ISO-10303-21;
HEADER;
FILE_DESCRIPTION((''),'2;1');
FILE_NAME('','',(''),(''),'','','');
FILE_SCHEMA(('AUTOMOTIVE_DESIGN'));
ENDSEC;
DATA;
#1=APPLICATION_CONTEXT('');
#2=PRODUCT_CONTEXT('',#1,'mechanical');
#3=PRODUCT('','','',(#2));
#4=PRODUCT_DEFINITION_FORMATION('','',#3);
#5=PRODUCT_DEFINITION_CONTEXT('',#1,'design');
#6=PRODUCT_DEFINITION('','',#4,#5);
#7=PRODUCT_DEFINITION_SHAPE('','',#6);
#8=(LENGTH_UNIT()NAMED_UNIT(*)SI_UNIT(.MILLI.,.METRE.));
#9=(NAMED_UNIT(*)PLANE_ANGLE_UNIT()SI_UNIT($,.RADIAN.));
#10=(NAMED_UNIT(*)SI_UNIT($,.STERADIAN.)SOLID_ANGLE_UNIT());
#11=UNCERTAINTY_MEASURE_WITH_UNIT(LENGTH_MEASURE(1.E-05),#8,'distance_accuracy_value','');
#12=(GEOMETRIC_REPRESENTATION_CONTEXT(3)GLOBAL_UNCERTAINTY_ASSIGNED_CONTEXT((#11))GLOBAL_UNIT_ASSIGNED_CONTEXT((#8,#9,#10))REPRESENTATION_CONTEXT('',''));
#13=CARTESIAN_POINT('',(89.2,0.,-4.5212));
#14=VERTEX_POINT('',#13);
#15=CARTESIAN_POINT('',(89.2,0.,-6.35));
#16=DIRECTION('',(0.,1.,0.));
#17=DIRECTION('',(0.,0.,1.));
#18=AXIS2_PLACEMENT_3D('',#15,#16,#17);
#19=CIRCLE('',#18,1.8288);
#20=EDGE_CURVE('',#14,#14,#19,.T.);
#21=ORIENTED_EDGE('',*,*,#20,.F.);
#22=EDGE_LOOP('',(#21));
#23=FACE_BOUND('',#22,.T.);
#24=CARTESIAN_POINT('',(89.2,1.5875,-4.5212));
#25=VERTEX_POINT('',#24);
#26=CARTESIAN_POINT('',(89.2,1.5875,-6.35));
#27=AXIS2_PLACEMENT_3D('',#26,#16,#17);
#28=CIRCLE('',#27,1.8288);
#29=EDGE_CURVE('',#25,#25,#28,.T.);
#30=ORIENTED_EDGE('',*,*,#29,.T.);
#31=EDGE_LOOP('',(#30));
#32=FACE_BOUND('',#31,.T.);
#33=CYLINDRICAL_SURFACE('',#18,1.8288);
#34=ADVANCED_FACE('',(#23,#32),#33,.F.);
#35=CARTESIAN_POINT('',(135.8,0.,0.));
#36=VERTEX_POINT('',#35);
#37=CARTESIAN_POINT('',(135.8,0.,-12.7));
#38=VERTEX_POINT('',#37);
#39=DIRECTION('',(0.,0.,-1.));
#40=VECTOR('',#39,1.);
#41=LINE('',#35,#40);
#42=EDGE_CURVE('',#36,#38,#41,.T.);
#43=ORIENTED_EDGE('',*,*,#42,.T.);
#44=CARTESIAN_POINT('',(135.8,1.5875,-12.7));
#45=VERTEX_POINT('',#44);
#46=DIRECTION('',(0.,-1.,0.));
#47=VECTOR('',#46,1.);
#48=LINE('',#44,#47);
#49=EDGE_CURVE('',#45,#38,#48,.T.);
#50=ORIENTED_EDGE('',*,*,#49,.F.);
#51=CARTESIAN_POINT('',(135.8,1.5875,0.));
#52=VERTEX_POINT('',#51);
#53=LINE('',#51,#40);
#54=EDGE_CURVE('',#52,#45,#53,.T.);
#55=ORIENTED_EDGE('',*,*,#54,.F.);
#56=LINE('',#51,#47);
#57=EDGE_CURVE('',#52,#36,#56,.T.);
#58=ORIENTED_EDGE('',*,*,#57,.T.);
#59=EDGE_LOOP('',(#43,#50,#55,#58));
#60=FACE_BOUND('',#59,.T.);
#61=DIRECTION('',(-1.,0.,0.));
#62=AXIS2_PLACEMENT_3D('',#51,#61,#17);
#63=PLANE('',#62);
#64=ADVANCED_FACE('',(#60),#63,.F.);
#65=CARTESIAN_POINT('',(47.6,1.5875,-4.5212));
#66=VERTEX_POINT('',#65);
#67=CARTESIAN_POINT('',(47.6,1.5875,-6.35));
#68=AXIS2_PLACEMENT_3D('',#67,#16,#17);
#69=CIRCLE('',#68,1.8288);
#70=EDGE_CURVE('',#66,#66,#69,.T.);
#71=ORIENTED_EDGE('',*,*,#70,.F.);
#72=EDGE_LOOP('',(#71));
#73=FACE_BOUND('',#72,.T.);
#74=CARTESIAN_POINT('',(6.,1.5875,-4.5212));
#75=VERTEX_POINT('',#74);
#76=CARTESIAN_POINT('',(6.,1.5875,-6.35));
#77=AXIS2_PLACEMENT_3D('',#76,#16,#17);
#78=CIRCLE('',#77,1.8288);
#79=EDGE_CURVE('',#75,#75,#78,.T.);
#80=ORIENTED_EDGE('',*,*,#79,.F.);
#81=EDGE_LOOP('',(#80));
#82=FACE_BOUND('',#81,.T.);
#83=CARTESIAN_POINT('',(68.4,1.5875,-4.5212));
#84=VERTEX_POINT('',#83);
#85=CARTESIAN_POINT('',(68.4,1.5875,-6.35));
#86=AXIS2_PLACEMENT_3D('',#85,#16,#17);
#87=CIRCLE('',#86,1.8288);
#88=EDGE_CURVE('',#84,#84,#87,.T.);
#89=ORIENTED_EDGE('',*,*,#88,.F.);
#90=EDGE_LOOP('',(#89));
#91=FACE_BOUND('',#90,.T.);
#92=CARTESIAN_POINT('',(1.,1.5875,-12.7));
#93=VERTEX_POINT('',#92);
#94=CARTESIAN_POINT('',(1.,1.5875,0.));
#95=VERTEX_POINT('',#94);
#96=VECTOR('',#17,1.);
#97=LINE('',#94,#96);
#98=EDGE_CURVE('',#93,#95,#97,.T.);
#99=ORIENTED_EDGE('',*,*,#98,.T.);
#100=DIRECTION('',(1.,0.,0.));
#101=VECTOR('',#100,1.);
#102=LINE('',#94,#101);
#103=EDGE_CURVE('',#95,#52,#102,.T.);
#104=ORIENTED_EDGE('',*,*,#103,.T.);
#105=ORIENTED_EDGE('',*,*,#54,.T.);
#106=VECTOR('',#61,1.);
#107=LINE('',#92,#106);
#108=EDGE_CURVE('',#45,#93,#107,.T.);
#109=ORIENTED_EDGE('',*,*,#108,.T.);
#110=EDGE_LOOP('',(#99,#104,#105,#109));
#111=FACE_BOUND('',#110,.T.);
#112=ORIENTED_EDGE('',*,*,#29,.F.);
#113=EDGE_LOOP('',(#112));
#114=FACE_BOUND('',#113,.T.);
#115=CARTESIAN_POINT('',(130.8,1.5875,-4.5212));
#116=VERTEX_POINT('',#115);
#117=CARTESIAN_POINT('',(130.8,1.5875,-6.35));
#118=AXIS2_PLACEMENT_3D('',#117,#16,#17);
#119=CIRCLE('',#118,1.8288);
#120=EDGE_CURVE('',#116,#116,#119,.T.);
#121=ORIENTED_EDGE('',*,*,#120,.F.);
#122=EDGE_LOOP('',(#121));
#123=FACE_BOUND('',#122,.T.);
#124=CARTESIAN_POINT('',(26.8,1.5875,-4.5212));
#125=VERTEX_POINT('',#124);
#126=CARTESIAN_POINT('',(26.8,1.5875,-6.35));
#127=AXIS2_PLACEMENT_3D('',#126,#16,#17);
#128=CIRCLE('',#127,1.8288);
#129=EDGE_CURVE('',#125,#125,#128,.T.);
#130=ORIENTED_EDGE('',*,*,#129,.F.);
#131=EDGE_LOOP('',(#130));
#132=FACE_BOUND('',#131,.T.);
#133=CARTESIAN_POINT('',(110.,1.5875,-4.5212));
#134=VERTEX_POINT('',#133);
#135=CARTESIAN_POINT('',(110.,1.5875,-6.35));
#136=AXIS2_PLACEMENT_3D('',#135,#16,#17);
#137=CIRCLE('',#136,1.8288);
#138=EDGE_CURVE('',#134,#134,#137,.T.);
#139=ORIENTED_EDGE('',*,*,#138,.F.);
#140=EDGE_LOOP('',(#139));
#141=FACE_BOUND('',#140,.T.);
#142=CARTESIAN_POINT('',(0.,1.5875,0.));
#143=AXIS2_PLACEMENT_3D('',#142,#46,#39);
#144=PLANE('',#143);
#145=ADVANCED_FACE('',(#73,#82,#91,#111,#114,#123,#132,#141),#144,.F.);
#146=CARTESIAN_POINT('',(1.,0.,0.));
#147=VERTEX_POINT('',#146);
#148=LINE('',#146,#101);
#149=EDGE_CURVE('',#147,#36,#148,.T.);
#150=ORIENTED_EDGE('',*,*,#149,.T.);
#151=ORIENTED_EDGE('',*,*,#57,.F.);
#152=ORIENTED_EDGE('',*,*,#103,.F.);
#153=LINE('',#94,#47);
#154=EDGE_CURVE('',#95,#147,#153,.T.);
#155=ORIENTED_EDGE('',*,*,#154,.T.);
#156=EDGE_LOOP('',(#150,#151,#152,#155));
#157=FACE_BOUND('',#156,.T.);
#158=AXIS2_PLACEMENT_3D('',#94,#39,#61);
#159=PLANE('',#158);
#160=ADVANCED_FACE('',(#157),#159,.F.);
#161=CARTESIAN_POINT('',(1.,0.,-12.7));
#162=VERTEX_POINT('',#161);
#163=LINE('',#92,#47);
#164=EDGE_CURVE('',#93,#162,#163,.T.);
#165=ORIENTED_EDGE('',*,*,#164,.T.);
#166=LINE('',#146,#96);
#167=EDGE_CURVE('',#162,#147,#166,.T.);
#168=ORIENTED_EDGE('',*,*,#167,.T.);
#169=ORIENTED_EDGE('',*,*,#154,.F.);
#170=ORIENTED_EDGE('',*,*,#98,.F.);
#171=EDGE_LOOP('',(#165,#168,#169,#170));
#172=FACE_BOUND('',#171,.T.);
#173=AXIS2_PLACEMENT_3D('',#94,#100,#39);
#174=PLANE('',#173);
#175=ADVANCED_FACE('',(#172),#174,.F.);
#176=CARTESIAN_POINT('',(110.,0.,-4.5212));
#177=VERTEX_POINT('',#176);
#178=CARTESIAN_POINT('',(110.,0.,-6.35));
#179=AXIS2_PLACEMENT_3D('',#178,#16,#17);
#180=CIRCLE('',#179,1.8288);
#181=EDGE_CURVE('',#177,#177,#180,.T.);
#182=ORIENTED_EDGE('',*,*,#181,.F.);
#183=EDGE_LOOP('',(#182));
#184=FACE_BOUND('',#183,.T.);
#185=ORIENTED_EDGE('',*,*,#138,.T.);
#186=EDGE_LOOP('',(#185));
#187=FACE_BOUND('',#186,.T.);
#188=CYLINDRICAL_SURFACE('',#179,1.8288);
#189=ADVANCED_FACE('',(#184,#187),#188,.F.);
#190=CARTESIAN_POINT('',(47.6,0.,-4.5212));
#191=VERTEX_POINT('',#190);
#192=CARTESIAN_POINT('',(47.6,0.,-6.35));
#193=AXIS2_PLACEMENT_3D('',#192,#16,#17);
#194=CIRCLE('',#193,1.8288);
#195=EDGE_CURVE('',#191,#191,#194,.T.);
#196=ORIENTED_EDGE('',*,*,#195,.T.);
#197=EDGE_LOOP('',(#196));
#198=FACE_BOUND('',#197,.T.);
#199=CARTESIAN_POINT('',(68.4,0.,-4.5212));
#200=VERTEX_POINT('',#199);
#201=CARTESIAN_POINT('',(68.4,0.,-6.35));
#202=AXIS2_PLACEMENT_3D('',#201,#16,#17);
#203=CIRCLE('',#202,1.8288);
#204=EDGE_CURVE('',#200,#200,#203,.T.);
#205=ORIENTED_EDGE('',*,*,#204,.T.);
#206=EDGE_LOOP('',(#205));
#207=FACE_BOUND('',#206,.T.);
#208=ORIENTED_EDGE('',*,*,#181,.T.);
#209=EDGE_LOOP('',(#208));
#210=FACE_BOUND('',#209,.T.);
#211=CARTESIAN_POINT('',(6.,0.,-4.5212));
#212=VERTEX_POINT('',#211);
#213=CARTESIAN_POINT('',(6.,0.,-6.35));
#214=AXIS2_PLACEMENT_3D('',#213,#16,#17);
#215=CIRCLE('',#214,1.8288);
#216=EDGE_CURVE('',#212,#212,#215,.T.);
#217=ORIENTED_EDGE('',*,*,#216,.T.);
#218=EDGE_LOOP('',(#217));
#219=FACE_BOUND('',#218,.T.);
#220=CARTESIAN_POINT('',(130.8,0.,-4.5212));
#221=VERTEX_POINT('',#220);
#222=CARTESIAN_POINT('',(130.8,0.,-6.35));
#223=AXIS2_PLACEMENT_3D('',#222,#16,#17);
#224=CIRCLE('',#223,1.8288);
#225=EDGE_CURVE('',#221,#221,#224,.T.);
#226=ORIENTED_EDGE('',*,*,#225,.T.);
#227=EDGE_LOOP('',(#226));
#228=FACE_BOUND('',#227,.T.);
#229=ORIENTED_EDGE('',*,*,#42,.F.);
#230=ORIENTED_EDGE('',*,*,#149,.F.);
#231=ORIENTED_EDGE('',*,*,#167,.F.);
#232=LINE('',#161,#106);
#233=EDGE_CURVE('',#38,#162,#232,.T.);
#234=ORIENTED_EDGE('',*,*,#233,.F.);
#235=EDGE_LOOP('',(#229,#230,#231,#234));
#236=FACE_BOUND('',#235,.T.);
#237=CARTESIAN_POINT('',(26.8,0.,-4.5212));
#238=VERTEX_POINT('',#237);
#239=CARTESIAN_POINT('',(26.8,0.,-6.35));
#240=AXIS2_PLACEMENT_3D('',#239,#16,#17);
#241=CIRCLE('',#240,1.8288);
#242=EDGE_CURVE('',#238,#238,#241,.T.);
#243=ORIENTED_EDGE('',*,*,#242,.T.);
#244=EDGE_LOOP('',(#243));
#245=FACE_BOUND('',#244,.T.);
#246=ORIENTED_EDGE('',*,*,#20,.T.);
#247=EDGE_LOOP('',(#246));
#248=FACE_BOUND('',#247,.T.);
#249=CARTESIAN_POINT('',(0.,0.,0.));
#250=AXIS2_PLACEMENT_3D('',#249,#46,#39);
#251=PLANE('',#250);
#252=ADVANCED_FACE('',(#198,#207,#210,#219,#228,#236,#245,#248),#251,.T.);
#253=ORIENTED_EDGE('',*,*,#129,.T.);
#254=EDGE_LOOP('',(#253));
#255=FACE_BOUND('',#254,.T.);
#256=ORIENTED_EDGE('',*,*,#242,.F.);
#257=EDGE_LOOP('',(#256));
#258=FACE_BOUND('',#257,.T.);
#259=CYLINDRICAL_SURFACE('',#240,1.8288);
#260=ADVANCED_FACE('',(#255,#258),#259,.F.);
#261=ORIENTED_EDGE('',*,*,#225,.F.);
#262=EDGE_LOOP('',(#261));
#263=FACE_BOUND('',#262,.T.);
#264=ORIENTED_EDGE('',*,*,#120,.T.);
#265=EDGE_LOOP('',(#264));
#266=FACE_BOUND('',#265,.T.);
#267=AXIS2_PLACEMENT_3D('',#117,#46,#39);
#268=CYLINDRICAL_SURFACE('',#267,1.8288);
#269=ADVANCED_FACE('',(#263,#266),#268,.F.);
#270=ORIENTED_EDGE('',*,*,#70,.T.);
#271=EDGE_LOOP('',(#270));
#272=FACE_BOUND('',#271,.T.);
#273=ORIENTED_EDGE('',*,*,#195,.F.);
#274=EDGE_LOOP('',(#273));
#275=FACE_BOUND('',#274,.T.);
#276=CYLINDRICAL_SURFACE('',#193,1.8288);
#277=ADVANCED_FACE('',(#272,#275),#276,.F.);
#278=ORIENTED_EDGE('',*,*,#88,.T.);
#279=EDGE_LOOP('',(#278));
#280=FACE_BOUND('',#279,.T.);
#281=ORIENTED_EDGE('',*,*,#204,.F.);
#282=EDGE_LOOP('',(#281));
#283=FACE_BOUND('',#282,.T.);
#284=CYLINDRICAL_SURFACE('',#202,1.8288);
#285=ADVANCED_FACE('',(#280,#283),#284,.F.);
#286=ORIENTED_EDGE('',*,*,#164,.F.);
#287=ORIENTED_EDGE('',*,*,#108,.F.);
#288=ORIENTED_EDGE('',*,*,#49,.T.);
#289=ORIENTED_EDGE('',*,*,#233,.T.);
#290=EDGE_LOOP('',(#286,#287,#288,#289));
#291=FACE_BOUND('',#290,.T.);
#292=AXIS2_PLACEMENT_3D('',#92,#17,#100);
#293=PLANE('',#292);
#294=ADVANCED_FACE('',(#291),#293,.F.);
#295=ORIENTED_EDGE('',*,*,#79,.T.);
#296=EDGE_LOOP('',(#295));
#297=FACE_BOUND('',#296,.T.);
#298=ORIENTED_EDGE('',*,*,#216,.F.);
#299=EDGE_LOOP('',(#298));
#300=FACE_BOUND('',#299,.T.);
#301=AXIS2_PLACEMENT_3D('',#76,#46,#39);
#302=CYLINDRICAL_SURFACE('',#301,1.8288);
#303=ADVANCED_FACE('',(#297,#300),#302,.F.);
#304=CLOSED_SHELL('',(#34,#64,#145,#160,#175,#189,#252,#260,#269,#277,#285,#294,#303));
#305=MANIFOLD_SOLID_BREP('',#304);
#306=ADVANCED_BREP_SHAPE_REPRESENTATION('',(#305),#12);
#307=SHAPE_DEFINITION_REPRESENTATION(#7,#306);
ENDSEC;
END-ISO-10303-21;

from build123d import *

# Parameters (mm, degrees)
SKETCH1_W           = 134.8
SKETCH1_H           = 12.7
SKETCH1_R           = 1.8288
BOSS_EXTRUDE1_DEPTH = 1.5875
SKETCH2_R           = 1.8288
CUT_EXTRUDE1_DEPTH  = 137.401796749


with BuildPart() as part:
    # Sketch1 → Boss-Extrude1 (new body)
    with BuildSketch(Plane(origin=(0, 0, 0), x_dir=(1, 0, 0), z_dir=(0, 1, 0))):
        with Locations((68.4, 6.35)):
            Rectangle(SKETCH1_W, SKETCH1_H)
        with Locations(Location((6, 6.35, 0), (0, 0, 270))):
            Circle(SKETCH1_R, mode=Mode.SUBTRACT)
        with Locations(Location((130.8, 6.35, 0), (0, 0, 270))):
            Circle(SKETCH1_R, mode=Mode.SUBTRACT)
    extrude(amount=BOSS_EXTRUDE1_DEPTH)

    # Sketch2 → Cut-Extrude1 (cut, through all)
    with BuildSketch(Plane(origin=(0, 1.5875, 0), x_dir=(1, 0, 0), z_dir=(0, 1, 0))):
        with Locations(Location((26.8, 6.35, 0), (0, 0, 270))):
            Circle(SKETCH2_R)
        with Locations(Location((47.6, 6.35, 0), (0, 0, 270))):
            Circle(SKETCH2_R)
        with Locations(Location((68.4, 6.35, 0), (0, 0, 270))):
            Circle(SKETCH2_R)
        with Locations(Location((89.2, 6.35, 0), (0, 0, 270))):
            Circle(SKETCH2_R)
        with Locations(Location((110, 6.35, 0), (0, 0, 270))):
            Circle(SKETCH2_R)
    extrude(amount=-CUT_EXTRUDE1_DEPTH, mode=Mode.SUBTRACT)


solid = part.part
